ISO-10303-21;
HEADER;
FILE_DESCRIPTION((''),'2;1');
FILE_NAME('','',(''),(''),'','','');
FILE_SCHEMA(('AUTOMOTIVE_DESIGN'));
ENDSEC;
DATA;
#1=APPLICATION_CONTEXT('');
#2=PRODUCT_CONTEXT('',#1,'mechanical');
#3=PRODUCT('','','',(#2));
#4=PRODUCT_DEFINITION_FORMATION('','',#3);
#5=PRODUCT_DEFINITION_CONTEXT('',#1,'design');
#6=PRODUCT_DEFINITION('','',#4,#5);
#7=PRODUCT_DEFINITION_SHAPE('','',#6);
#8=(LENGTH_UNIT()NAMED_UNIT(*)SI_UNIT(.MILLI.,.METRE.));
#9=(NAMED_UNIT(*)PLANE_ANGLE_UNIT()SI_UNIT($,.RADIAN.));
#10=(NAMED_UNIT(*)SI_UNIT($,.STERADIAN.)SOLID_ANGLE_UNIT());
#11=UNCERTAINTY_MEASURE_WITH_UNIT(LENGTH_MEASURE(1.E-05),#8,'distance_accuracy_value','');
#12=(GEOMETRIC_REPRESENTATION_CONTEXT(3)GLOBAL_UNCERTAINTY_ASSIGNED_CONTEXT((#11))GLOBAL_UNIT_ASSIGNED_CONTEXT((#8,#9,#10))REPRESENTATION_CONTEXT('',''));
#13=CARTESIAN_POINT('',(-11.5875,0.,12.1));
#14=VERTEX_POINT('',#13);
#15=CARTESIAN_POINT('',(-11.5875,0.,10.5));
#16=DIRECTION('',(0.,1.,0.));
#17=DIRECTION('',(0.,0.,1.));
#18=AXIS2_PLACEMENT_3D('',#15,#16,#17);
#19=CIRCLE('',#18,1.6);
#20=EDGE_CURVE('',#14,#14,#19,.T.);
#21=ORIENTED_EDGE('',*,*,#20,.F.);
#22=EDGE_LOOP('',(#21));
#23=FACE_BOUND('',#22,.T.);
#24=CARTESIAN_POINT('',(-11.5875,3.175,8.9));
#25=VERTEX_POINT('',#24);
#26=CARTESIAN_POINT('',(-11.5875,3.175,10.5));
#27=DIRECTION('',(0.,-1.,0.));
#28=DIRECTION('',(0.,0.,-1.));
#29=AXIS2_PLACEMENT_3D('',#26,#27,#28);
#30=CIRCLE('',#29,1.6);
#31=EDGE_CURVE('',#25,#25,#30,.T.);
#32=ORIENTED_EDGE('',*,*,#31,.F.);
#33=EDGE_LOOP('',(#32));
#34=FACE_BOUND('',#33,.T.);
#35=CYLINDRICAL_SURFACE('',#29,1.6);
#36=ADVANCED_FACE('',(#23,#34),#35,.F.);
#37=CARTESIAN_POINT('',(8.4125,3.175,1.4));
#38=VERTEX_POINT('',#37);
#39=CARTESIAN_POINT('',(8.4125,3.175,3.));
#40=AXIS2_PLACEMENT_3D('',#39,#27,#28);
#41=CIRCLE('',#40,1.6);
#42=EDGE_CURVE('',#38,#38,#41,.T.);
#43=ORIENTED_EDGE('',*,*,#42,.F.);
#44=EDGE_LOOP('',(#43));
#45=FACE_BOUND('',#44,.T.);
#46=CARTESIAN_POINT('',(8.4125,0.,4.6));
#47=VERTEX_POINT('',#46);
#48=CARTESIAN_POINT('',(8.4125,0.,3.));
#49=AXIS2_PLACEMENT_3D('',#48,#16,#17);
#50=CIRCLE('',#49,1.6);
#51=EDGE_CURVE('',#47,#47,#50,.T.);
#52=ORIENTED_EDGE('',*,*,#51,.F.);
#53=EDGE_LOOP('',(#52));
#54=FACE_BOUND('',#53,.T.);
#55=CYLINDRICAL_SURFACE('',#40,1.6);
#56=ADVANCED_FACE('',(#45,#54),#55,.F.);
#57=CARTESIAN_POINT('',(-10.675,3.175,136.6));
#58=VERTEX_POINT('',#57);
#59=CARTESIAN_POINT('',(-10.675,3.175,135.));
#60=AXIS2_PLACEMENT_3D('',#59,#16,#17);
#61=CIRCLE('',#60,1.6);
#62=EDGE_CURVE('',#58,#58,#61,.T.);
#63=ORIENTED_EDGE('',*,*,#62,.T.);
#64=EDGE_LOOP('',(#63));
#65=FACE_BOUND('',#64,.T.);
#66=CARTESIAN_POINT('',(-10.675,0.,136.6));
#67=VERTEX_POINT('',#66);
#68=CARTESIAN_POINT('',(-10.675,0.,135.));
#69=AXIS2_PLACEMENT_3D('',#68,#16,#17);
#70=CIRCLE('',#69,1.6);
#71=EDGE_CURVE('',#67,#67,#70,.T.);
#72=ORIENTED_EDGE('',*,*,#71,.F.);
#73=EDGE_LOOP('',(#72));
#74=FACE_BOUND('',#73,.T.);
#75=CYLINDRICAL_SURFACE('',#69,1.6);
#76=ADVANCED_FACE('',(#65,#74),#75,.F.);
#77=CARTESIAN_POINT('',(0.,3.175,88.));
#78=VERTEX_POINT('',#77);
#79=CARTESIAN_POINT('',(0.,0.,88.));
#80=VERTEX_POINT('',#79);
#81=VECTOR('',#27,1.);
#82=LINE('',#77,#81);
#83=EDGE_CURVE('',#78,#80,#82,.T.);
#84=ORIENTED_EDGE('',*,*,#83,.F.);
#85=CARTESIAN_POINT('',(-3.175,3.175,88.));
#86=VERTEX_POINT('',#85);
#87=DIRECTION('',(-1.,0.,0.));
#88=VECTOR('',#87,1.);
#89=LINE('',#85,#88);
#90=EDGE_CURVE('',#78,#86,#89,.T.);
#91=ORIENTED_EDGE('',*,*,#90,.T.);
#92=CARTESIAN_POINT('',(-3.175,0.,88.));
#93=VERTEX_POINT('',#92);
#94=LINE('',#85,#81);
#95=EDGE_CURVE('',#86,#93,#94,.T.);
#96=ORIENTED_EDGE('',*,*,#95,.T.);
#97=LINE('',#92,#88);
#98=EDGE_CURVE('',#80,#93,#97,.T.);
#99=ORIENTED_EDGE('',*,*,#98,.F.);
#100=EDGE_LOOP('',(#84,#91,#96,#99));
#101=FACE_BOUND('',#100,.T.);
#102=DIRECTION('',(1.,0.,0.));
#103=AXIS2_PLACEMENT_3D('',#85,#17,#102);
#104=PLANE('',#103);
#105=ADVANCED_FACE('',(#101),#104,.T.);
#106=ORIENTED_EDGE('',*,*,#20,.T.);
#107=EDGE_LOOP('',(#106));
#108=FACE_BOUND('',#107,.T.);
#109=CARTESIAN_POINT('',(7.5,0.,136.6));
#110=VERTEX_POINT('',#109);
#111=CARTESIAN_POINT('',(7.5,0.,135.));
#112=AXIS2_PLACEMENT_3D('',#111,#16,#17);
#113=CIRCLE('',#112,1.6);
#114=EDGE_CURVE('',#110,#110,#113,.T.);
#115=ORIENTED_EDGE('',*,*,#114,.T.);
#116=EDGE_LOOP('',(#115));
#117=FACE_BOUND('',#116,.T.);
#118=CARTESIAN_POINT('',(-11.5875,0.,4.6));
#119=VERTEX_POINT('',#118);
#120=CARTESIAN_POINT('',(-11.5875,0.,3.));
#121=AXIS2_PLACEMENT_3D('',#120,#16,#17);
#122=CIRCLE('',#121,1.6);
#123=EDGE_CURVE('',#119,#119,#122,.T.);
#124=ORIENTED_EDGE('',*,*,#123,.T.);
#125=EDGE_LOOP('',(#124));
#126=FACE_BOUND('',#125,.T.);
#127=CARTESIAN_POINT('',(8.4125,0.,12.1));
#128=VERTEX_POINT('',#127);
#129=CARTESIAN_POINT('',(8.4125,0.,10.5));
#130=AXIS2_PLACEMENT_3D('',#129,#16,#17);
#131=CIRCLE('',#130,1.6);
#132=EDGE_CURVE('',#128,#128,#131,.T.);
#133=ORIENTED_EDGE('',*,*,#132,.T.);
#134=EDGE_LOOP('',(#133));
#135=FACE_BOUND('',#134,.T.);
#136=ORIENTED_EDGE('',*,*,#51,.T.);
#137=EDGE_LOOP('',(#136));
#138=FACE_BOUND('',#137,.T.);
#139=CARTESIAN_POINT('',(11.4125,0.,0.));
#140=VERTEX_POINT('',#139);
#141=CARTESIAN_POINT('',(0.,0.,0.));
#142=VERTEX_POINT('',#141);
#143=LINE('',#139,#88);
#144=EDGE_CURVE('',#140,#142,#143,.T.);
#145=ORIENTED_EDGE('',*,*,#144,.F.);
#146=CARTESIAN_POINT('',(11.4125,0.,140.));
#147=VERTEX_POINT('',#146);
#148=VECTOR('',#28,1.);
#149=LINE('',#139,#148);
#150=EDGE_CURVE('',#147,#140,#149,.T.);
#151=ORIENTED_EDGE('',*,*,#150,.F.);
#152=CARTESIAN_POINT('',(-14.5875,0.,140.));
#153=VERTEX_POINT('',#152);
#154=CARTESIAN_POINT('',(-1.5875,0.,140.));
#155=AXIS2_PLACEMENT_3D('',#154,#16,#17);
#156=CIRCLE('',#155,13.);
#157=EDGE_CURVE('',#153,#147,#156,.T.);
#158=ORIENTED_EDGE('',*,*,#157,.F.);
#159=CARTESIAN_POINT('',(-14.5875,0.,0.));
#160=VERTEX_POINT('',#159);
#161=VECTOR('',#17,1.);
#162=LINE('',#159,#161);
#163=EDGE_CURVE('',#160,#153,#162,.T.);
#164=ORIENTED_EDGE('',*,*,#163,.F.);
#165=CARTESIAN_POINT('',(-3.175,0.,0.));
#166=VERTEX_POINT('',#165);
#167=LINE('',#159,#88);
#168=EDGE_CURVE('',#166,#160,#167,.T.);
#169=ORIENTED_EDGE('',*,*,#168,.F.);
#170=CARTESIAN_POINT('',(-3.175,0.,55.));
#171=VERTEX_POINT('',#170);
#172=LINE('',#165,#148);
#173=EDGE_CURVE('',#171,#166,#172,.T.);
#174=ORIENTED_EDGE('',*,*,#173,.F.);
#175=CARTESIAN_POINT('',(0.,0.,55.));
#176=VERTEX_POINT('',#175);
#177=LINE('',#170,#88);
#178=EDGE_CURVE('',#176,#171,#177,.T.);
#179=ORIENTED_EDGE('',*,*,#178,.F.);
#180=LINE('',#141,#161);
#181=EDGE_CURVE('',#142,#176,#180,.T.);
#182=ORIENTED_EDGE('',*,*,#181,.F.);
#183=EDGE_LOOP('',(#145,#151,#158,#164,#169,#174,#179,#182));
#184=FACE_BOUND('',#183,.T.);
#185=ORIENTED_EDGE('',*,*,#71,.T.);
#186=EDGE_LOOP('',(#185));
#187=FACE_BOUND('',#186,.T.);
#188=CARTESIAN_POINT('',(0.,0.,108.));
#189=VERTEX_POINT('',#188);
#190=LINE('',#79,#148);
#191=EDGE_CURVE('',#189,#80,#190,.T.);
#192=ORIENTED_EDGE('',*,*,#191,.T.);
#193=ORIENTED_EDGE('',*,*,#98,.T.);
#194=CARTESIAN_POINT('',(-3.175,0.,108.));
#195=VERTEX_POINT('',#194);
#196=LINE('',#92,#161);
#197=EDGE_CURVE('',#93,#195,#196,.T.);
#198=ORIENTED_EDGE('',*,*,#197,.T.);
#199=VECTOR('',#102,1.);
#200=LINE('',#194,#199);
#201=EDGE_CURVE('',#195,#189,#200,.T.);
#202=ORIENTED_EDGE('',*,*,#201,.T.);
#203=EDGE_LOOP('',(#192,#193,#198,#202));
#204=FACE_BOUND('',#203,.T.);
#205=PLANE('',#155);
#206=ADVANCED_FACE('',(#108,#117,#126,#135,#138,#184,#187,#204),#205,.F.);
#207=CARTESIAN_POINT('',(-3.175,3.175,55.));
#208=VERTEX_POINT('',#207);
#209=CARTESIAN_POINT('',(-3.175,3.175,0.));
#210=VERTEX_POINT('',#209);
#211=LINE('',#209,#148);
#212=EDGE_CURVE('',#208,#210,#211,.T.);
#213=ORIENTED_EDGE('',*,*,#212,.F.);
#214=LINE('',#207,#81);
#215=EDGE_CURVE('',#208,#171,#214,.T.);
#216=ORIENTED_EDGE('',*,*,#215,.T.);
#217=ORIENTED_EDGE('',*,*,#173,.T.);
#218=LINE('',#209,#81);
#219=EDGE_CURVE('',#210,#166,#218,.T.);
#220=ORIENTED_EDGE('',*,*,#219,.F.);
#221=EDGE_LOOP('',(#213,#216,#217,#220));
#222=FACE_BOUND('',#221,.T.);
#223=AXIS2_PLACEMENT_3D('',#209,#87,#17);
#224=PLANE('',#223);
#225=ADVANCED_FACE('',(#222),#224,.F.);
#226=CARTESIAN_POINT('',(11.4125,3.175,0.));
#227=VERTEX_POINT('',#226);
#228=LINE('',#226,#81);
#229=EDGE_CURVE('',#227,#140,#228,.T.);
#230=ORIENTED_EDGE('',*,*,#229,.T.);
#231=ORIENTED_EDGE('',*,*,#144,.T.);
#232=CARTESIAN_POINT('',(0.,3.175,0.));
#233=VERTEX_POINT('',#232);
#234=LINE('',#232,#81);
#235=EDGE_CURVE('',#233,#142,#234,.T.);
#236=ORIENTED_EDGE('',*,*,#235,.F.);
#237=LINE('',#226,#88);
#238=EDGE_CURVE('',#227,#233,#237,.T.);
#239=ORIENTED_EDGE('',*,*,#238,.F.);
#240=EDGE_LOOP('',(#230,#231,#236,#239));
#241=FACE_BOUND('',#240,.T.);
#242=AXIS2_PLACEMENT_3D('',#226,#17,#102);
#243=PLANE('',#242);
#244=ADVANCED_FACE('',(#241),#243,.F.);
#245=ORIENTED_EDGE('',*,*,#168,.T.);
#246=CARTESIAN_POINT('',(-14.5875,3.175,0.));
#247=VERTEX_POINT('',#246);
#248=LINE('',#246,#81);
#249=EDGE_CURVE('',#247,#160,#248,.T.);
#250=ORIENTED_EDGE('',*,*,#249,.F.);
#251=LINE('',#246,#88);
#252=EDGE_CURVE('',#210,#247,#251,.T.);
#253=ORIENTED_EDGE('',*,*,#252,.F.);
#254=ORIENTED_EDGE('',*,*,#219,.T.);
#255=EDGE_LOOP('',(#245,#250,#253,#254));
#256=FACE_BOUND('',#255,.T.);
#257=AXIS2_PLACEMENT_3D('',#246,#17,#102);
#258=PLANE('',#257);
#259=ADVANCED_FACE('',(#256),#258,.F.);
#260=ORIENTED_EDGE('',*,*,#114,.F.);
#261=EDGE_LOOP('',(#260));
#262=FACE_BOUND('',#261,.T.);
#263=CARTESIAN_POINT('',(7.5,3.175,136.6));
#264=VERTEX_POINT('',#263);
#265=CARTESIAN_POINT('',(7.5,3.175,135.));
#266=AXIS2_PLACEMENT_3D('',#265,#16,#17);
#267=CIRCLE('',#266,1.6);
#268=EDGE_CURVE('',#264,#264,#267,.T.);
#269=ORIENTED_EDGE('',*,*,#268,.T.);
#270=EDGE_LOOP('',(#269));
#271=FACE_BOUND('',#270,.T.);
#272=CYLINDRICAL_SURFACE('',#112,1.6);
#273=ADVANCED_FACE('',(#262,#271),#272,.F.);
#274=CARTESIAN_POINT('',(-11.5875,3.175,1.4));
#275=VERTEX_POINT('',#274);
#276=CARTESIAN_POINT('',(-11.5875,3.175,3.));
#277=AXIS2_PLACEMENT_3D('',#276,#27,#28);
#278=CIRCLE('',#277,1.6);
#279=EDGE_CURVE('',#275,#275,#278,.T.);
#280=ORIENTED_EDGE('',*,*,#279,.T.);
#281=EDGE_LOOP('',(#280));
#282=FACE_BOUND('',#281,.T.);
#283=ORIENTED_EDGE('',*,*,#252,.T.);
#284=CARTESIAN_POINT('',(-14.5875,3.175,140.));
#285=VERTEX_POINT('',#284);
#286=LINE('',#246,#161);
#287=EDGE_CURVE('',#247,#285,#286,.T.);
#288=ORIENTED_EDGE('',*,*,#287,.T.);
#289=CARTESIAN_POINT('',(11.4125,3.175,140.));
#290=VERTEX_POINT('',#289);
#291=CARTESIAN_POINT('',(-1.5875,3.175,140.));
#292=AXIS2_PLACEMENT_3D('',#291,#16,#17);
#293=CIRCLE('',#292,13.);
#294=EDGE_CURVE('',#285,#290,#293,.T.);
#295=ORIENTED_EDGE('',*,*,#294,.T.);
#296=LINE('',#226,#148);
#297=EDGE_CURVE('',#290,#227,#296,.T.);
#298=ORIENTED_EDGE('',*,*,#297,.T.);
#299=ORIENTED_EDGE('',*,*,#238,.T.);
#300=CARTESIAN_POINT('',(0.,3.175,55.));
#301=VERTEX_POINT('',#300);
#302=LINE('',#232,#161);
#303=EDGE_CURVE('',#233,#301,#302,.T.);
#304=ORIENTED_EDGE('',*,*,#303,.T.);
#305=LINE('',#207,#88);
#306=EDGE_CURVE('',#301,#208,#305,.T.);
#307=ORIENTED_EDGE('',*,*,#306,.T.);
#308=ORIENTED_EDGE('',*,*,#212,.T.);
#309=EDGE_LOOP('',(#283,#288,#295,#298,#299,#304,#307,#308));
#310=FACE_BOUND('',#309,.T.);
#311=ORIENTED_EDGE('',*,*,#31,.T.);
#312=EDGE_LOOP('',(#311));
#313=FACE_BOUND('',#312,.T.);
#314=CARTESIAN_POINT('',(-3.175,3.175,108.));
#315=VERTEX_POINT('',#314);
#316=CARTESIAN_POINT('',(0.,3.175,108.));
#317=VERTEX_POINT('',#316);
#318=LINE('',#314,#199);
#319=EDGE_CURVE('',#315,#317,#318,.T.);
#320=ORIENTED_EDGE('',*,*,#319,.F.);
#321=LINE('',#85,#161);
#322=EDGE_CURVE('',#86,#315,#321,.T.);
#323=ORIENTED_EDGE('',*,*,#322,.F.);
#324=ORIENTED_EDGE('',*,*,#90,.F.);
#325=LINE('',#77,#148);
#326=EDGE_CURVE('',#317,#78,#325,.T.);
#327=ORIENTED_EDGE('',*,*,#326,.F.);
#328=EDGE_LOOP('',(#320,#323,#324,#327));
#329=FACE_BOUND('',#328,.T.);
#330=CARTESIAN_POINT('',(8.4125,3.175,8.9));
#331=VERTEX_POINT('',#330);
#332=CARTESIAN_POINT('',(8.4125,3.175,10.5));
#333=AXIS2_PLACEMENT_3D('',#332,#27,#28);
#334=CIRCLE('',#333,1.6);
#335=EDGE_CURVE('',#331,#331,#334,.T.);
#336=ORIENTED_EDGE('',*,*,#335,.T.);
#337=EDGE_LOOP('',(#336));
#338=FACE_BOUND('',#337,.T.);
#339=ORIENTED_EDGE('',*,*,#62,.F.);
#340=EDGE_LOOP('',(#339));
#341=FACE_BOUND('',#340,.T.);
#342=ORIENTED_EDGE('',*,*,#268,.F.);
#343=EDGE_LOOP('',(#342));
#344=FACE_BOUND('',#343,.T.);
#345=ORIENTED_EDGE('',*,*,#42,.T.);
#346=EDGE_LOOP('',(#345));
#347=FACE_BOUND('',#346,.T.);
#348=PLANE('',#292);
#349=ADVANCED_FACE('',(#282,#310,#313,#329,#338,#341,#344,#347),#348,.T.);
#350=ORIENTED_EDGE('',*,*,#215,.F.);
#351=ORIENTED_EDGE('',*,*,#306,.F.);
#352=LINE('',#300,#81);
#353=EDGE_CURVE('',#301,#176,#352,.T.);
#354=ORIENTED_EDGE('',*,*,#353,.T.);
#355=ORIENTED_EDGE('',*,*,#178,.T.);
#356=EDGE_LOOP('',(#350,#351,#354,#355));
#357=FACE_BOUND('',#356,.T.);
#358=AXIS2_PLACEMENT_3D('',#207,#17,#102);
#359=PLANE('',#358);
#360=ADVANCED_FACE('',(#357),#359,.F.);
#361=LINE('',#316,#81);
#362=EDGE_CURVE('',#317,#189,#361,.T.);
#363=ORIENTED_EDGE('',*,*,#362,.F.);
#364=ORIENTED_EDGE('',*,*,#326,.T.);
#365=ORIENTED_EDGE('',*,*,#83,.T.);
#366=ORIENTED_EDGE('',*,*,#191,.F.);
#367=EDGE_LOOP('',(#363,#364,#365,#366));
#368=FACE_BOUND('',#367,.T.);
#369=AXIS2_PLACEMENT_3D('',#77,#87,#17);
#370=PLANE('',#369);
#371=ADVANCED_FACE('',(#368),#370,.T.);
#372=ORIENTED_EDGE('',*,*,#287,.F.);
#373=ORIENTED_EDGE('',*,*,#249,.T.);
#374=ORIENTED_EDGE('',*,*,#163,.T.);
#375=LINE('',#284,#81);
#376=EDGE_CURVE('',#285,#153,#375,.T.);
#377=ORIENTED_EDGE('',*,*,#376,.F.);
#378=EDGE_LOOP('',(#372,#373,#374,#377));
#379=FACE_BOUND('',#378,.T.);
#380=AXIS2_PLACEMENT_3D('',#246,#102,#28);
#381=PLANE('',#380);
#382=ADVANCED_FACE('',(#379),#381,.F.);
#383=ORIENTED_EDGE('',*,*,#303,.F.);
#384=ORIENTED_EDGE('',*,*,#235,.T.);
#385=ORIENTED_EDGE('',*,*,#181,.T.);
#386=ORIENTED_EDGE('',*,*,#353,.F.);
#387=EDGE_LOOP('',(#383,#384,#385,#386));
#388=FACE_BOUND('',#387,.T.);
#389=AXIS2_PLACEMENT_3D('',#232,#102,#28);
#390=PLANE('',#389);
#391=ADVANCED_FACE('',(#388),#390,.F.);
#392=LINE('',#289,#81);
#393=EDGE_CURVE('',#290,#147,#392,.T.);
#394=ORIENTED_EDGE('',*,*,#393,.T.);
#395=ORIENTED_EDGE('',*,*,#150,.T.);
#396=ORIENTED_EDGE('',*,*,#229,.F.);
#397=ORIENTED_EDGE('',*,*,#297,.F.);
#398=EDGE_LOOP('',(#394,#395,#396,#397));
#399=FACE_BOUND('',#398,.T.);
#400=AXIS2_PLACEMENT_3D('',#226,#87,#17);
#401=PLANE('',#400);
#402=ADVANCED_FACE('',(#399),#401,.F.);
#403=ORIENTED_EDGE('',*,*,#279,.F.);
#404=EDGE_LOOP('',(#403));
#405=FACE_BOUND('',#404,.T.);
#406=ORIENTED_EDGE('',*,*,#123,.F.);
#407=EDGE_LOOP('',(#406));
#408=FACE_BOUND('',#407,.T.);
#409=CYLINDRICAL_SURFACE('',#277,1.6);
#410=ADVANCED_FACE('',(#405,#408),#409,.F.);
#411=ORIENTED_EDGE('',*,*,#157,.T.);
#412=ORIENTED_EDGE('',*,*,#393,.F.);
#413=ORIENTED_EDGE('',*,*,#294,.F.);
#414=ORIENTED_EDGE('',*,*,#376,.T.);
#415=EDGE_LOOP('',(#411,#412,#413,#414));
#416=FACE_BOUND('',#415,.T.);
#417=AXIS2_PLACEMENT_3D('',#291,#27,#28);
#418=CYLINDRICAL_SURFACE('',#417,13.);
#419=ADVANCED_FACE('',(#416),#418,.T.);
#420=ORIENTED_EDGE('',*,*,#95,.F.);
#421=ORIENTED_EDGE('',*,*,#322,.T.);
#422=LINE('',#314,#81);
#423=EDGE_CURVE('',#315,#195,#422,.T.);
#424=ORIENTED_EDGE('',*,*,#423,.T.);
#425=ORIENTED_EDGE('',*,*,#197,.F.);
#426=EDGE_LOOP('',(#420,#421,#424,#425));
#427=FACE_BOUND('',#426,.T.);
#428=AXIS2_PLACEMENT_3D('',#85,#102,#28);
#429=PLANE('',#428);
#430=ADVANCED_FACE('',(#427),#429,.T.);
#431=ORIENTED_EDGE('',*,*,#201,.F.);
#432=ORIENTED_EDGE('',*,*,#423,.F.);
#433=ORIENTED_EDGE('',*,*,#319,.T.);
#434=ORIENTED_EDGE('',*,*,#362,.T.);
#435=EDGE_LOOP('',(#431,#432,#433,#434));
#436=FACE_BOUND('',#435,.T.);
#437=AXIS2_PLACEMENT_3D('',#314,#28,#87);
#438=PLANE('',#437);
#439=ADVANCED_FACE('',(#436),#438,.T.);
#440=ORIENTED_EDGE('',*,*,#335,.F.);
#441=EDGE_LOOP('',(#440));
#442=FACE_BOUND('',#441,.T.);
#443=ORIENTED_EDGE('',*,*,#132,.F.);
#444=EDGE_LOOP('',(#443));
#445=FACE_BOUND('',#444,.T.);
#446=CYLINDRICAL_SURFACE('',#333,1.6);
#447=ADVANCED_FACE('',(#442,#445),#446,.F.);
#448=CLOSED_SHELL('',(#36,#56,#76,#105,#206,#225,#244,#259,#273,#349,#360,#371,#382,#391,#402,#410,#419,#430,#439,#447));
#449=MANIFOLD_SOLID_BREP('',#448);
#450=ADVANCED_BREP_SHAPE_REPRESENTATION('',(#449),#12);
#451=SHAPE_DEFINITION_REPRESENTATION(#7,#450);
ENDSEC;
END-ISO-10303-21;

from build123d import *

# Parameters (mm, degrees)
SKETCH1_W               = 3.175
SKETCH1_H               = 20
BOSS_EXTRUDE1_DEPTH     = 3.175
CUT_EXTRUDE2_DEPTH      = 154.72662678
CUT_EXTRUDE2_DEPTH_BACK = 154.72662678
SKETCH4_R               = 1.6
CUT_EXTRUDE3_DEPTH      = 154.72662678
CUT_EXTRUDE3_DEPTH_BACK = 154.72662678
SKETCH5_R               = 1.6


with BuildPart() as part:
    # Sketch1 → Boss-Extrude1 (new body)
    with BuildSketch(Plane(origin=(0, 0, 0), x_dir=(1, 0, 0), z_dir=(0, 1, 0))):
        with BuildLine():
            Line((-14.5875, 0), (-14.5875, -140))
            ThreePointArc((-14.5875, -140), (-1.5875, -153), (11.4125, -140))
            Line((11.4125, -140), (11.4125, 0))
            Line((11.4125, 0), (0, 0))
            Line((0, 0), (0, -55))
            Line((0, -55), (-3.175, -55))
            Line((-3.175, -55), (-3.175, 0))
            Line((-3.175, 0), (-14.5875, 0))
        make_face()
        with Locations((-1.5875, -98)):
            Rectangle(SKETCH1_W, SKETCH1_H, mode=Mode.SUBTRACT)
    extrude(amount=BOSS_EXTRUDE1_DEPTH)

    # Sketch4 → Cut-Extrude2 (cut, two sides: drawn at the far end of the back side and taken through both)
    with BuildSketch(Plane.XZ.offset(-CUT_EXTRUDE2_DEPTH_BACK)):
        with Locations(Location((8.4125, 3, 0), (0, 0, 270))):
            Circle(SKETCH4_R)
        with Locations(Location((8.4125, 10.5, 0), (0, 0, 270))):
            Circle(SKETCH4_R)
        with Locations(Location((-11.5875, 10.5, 0), (0, 0, 270))):
            Circle(SKETCH4_R)
        with Locations(Location((-11.5875, 3, 0), (0, 0, 270))):
            Circle(SKETCH4_R)
    extrude(amount=CUT_EXTRUDE2_DEPTH + CUT_EXTRUDE2_DEPTH_BACK, mode=Mode.SUBTRACT)

    # Sketch5 → Cut-Extrude3 (cut, two sides: drawn at the far end of the back side and taken through both)
    with BuildSketch(Plane(origin=(0, 3.175, 0), x_dir=(1, 0, 0), z_dir=(0, 1, 0)).offset(-CUT_EXTRUDE3_DEPTH_BACK)):
        with Locations(Location((-10.675, -135, 0), (0, 0, 270))):
            Circle(SKETCH5_R)
        with Locations(Location((7.5, -135, 0), (0, 0, 270))):
            Circle(SKETCH5_R)
    extrude(amount=CUT_EXTRUDE3_DEPTH + CUT_EXTRUDE3_DEPTH_BACK, mode=Mode.SUBTRACT)


solid = part.part
